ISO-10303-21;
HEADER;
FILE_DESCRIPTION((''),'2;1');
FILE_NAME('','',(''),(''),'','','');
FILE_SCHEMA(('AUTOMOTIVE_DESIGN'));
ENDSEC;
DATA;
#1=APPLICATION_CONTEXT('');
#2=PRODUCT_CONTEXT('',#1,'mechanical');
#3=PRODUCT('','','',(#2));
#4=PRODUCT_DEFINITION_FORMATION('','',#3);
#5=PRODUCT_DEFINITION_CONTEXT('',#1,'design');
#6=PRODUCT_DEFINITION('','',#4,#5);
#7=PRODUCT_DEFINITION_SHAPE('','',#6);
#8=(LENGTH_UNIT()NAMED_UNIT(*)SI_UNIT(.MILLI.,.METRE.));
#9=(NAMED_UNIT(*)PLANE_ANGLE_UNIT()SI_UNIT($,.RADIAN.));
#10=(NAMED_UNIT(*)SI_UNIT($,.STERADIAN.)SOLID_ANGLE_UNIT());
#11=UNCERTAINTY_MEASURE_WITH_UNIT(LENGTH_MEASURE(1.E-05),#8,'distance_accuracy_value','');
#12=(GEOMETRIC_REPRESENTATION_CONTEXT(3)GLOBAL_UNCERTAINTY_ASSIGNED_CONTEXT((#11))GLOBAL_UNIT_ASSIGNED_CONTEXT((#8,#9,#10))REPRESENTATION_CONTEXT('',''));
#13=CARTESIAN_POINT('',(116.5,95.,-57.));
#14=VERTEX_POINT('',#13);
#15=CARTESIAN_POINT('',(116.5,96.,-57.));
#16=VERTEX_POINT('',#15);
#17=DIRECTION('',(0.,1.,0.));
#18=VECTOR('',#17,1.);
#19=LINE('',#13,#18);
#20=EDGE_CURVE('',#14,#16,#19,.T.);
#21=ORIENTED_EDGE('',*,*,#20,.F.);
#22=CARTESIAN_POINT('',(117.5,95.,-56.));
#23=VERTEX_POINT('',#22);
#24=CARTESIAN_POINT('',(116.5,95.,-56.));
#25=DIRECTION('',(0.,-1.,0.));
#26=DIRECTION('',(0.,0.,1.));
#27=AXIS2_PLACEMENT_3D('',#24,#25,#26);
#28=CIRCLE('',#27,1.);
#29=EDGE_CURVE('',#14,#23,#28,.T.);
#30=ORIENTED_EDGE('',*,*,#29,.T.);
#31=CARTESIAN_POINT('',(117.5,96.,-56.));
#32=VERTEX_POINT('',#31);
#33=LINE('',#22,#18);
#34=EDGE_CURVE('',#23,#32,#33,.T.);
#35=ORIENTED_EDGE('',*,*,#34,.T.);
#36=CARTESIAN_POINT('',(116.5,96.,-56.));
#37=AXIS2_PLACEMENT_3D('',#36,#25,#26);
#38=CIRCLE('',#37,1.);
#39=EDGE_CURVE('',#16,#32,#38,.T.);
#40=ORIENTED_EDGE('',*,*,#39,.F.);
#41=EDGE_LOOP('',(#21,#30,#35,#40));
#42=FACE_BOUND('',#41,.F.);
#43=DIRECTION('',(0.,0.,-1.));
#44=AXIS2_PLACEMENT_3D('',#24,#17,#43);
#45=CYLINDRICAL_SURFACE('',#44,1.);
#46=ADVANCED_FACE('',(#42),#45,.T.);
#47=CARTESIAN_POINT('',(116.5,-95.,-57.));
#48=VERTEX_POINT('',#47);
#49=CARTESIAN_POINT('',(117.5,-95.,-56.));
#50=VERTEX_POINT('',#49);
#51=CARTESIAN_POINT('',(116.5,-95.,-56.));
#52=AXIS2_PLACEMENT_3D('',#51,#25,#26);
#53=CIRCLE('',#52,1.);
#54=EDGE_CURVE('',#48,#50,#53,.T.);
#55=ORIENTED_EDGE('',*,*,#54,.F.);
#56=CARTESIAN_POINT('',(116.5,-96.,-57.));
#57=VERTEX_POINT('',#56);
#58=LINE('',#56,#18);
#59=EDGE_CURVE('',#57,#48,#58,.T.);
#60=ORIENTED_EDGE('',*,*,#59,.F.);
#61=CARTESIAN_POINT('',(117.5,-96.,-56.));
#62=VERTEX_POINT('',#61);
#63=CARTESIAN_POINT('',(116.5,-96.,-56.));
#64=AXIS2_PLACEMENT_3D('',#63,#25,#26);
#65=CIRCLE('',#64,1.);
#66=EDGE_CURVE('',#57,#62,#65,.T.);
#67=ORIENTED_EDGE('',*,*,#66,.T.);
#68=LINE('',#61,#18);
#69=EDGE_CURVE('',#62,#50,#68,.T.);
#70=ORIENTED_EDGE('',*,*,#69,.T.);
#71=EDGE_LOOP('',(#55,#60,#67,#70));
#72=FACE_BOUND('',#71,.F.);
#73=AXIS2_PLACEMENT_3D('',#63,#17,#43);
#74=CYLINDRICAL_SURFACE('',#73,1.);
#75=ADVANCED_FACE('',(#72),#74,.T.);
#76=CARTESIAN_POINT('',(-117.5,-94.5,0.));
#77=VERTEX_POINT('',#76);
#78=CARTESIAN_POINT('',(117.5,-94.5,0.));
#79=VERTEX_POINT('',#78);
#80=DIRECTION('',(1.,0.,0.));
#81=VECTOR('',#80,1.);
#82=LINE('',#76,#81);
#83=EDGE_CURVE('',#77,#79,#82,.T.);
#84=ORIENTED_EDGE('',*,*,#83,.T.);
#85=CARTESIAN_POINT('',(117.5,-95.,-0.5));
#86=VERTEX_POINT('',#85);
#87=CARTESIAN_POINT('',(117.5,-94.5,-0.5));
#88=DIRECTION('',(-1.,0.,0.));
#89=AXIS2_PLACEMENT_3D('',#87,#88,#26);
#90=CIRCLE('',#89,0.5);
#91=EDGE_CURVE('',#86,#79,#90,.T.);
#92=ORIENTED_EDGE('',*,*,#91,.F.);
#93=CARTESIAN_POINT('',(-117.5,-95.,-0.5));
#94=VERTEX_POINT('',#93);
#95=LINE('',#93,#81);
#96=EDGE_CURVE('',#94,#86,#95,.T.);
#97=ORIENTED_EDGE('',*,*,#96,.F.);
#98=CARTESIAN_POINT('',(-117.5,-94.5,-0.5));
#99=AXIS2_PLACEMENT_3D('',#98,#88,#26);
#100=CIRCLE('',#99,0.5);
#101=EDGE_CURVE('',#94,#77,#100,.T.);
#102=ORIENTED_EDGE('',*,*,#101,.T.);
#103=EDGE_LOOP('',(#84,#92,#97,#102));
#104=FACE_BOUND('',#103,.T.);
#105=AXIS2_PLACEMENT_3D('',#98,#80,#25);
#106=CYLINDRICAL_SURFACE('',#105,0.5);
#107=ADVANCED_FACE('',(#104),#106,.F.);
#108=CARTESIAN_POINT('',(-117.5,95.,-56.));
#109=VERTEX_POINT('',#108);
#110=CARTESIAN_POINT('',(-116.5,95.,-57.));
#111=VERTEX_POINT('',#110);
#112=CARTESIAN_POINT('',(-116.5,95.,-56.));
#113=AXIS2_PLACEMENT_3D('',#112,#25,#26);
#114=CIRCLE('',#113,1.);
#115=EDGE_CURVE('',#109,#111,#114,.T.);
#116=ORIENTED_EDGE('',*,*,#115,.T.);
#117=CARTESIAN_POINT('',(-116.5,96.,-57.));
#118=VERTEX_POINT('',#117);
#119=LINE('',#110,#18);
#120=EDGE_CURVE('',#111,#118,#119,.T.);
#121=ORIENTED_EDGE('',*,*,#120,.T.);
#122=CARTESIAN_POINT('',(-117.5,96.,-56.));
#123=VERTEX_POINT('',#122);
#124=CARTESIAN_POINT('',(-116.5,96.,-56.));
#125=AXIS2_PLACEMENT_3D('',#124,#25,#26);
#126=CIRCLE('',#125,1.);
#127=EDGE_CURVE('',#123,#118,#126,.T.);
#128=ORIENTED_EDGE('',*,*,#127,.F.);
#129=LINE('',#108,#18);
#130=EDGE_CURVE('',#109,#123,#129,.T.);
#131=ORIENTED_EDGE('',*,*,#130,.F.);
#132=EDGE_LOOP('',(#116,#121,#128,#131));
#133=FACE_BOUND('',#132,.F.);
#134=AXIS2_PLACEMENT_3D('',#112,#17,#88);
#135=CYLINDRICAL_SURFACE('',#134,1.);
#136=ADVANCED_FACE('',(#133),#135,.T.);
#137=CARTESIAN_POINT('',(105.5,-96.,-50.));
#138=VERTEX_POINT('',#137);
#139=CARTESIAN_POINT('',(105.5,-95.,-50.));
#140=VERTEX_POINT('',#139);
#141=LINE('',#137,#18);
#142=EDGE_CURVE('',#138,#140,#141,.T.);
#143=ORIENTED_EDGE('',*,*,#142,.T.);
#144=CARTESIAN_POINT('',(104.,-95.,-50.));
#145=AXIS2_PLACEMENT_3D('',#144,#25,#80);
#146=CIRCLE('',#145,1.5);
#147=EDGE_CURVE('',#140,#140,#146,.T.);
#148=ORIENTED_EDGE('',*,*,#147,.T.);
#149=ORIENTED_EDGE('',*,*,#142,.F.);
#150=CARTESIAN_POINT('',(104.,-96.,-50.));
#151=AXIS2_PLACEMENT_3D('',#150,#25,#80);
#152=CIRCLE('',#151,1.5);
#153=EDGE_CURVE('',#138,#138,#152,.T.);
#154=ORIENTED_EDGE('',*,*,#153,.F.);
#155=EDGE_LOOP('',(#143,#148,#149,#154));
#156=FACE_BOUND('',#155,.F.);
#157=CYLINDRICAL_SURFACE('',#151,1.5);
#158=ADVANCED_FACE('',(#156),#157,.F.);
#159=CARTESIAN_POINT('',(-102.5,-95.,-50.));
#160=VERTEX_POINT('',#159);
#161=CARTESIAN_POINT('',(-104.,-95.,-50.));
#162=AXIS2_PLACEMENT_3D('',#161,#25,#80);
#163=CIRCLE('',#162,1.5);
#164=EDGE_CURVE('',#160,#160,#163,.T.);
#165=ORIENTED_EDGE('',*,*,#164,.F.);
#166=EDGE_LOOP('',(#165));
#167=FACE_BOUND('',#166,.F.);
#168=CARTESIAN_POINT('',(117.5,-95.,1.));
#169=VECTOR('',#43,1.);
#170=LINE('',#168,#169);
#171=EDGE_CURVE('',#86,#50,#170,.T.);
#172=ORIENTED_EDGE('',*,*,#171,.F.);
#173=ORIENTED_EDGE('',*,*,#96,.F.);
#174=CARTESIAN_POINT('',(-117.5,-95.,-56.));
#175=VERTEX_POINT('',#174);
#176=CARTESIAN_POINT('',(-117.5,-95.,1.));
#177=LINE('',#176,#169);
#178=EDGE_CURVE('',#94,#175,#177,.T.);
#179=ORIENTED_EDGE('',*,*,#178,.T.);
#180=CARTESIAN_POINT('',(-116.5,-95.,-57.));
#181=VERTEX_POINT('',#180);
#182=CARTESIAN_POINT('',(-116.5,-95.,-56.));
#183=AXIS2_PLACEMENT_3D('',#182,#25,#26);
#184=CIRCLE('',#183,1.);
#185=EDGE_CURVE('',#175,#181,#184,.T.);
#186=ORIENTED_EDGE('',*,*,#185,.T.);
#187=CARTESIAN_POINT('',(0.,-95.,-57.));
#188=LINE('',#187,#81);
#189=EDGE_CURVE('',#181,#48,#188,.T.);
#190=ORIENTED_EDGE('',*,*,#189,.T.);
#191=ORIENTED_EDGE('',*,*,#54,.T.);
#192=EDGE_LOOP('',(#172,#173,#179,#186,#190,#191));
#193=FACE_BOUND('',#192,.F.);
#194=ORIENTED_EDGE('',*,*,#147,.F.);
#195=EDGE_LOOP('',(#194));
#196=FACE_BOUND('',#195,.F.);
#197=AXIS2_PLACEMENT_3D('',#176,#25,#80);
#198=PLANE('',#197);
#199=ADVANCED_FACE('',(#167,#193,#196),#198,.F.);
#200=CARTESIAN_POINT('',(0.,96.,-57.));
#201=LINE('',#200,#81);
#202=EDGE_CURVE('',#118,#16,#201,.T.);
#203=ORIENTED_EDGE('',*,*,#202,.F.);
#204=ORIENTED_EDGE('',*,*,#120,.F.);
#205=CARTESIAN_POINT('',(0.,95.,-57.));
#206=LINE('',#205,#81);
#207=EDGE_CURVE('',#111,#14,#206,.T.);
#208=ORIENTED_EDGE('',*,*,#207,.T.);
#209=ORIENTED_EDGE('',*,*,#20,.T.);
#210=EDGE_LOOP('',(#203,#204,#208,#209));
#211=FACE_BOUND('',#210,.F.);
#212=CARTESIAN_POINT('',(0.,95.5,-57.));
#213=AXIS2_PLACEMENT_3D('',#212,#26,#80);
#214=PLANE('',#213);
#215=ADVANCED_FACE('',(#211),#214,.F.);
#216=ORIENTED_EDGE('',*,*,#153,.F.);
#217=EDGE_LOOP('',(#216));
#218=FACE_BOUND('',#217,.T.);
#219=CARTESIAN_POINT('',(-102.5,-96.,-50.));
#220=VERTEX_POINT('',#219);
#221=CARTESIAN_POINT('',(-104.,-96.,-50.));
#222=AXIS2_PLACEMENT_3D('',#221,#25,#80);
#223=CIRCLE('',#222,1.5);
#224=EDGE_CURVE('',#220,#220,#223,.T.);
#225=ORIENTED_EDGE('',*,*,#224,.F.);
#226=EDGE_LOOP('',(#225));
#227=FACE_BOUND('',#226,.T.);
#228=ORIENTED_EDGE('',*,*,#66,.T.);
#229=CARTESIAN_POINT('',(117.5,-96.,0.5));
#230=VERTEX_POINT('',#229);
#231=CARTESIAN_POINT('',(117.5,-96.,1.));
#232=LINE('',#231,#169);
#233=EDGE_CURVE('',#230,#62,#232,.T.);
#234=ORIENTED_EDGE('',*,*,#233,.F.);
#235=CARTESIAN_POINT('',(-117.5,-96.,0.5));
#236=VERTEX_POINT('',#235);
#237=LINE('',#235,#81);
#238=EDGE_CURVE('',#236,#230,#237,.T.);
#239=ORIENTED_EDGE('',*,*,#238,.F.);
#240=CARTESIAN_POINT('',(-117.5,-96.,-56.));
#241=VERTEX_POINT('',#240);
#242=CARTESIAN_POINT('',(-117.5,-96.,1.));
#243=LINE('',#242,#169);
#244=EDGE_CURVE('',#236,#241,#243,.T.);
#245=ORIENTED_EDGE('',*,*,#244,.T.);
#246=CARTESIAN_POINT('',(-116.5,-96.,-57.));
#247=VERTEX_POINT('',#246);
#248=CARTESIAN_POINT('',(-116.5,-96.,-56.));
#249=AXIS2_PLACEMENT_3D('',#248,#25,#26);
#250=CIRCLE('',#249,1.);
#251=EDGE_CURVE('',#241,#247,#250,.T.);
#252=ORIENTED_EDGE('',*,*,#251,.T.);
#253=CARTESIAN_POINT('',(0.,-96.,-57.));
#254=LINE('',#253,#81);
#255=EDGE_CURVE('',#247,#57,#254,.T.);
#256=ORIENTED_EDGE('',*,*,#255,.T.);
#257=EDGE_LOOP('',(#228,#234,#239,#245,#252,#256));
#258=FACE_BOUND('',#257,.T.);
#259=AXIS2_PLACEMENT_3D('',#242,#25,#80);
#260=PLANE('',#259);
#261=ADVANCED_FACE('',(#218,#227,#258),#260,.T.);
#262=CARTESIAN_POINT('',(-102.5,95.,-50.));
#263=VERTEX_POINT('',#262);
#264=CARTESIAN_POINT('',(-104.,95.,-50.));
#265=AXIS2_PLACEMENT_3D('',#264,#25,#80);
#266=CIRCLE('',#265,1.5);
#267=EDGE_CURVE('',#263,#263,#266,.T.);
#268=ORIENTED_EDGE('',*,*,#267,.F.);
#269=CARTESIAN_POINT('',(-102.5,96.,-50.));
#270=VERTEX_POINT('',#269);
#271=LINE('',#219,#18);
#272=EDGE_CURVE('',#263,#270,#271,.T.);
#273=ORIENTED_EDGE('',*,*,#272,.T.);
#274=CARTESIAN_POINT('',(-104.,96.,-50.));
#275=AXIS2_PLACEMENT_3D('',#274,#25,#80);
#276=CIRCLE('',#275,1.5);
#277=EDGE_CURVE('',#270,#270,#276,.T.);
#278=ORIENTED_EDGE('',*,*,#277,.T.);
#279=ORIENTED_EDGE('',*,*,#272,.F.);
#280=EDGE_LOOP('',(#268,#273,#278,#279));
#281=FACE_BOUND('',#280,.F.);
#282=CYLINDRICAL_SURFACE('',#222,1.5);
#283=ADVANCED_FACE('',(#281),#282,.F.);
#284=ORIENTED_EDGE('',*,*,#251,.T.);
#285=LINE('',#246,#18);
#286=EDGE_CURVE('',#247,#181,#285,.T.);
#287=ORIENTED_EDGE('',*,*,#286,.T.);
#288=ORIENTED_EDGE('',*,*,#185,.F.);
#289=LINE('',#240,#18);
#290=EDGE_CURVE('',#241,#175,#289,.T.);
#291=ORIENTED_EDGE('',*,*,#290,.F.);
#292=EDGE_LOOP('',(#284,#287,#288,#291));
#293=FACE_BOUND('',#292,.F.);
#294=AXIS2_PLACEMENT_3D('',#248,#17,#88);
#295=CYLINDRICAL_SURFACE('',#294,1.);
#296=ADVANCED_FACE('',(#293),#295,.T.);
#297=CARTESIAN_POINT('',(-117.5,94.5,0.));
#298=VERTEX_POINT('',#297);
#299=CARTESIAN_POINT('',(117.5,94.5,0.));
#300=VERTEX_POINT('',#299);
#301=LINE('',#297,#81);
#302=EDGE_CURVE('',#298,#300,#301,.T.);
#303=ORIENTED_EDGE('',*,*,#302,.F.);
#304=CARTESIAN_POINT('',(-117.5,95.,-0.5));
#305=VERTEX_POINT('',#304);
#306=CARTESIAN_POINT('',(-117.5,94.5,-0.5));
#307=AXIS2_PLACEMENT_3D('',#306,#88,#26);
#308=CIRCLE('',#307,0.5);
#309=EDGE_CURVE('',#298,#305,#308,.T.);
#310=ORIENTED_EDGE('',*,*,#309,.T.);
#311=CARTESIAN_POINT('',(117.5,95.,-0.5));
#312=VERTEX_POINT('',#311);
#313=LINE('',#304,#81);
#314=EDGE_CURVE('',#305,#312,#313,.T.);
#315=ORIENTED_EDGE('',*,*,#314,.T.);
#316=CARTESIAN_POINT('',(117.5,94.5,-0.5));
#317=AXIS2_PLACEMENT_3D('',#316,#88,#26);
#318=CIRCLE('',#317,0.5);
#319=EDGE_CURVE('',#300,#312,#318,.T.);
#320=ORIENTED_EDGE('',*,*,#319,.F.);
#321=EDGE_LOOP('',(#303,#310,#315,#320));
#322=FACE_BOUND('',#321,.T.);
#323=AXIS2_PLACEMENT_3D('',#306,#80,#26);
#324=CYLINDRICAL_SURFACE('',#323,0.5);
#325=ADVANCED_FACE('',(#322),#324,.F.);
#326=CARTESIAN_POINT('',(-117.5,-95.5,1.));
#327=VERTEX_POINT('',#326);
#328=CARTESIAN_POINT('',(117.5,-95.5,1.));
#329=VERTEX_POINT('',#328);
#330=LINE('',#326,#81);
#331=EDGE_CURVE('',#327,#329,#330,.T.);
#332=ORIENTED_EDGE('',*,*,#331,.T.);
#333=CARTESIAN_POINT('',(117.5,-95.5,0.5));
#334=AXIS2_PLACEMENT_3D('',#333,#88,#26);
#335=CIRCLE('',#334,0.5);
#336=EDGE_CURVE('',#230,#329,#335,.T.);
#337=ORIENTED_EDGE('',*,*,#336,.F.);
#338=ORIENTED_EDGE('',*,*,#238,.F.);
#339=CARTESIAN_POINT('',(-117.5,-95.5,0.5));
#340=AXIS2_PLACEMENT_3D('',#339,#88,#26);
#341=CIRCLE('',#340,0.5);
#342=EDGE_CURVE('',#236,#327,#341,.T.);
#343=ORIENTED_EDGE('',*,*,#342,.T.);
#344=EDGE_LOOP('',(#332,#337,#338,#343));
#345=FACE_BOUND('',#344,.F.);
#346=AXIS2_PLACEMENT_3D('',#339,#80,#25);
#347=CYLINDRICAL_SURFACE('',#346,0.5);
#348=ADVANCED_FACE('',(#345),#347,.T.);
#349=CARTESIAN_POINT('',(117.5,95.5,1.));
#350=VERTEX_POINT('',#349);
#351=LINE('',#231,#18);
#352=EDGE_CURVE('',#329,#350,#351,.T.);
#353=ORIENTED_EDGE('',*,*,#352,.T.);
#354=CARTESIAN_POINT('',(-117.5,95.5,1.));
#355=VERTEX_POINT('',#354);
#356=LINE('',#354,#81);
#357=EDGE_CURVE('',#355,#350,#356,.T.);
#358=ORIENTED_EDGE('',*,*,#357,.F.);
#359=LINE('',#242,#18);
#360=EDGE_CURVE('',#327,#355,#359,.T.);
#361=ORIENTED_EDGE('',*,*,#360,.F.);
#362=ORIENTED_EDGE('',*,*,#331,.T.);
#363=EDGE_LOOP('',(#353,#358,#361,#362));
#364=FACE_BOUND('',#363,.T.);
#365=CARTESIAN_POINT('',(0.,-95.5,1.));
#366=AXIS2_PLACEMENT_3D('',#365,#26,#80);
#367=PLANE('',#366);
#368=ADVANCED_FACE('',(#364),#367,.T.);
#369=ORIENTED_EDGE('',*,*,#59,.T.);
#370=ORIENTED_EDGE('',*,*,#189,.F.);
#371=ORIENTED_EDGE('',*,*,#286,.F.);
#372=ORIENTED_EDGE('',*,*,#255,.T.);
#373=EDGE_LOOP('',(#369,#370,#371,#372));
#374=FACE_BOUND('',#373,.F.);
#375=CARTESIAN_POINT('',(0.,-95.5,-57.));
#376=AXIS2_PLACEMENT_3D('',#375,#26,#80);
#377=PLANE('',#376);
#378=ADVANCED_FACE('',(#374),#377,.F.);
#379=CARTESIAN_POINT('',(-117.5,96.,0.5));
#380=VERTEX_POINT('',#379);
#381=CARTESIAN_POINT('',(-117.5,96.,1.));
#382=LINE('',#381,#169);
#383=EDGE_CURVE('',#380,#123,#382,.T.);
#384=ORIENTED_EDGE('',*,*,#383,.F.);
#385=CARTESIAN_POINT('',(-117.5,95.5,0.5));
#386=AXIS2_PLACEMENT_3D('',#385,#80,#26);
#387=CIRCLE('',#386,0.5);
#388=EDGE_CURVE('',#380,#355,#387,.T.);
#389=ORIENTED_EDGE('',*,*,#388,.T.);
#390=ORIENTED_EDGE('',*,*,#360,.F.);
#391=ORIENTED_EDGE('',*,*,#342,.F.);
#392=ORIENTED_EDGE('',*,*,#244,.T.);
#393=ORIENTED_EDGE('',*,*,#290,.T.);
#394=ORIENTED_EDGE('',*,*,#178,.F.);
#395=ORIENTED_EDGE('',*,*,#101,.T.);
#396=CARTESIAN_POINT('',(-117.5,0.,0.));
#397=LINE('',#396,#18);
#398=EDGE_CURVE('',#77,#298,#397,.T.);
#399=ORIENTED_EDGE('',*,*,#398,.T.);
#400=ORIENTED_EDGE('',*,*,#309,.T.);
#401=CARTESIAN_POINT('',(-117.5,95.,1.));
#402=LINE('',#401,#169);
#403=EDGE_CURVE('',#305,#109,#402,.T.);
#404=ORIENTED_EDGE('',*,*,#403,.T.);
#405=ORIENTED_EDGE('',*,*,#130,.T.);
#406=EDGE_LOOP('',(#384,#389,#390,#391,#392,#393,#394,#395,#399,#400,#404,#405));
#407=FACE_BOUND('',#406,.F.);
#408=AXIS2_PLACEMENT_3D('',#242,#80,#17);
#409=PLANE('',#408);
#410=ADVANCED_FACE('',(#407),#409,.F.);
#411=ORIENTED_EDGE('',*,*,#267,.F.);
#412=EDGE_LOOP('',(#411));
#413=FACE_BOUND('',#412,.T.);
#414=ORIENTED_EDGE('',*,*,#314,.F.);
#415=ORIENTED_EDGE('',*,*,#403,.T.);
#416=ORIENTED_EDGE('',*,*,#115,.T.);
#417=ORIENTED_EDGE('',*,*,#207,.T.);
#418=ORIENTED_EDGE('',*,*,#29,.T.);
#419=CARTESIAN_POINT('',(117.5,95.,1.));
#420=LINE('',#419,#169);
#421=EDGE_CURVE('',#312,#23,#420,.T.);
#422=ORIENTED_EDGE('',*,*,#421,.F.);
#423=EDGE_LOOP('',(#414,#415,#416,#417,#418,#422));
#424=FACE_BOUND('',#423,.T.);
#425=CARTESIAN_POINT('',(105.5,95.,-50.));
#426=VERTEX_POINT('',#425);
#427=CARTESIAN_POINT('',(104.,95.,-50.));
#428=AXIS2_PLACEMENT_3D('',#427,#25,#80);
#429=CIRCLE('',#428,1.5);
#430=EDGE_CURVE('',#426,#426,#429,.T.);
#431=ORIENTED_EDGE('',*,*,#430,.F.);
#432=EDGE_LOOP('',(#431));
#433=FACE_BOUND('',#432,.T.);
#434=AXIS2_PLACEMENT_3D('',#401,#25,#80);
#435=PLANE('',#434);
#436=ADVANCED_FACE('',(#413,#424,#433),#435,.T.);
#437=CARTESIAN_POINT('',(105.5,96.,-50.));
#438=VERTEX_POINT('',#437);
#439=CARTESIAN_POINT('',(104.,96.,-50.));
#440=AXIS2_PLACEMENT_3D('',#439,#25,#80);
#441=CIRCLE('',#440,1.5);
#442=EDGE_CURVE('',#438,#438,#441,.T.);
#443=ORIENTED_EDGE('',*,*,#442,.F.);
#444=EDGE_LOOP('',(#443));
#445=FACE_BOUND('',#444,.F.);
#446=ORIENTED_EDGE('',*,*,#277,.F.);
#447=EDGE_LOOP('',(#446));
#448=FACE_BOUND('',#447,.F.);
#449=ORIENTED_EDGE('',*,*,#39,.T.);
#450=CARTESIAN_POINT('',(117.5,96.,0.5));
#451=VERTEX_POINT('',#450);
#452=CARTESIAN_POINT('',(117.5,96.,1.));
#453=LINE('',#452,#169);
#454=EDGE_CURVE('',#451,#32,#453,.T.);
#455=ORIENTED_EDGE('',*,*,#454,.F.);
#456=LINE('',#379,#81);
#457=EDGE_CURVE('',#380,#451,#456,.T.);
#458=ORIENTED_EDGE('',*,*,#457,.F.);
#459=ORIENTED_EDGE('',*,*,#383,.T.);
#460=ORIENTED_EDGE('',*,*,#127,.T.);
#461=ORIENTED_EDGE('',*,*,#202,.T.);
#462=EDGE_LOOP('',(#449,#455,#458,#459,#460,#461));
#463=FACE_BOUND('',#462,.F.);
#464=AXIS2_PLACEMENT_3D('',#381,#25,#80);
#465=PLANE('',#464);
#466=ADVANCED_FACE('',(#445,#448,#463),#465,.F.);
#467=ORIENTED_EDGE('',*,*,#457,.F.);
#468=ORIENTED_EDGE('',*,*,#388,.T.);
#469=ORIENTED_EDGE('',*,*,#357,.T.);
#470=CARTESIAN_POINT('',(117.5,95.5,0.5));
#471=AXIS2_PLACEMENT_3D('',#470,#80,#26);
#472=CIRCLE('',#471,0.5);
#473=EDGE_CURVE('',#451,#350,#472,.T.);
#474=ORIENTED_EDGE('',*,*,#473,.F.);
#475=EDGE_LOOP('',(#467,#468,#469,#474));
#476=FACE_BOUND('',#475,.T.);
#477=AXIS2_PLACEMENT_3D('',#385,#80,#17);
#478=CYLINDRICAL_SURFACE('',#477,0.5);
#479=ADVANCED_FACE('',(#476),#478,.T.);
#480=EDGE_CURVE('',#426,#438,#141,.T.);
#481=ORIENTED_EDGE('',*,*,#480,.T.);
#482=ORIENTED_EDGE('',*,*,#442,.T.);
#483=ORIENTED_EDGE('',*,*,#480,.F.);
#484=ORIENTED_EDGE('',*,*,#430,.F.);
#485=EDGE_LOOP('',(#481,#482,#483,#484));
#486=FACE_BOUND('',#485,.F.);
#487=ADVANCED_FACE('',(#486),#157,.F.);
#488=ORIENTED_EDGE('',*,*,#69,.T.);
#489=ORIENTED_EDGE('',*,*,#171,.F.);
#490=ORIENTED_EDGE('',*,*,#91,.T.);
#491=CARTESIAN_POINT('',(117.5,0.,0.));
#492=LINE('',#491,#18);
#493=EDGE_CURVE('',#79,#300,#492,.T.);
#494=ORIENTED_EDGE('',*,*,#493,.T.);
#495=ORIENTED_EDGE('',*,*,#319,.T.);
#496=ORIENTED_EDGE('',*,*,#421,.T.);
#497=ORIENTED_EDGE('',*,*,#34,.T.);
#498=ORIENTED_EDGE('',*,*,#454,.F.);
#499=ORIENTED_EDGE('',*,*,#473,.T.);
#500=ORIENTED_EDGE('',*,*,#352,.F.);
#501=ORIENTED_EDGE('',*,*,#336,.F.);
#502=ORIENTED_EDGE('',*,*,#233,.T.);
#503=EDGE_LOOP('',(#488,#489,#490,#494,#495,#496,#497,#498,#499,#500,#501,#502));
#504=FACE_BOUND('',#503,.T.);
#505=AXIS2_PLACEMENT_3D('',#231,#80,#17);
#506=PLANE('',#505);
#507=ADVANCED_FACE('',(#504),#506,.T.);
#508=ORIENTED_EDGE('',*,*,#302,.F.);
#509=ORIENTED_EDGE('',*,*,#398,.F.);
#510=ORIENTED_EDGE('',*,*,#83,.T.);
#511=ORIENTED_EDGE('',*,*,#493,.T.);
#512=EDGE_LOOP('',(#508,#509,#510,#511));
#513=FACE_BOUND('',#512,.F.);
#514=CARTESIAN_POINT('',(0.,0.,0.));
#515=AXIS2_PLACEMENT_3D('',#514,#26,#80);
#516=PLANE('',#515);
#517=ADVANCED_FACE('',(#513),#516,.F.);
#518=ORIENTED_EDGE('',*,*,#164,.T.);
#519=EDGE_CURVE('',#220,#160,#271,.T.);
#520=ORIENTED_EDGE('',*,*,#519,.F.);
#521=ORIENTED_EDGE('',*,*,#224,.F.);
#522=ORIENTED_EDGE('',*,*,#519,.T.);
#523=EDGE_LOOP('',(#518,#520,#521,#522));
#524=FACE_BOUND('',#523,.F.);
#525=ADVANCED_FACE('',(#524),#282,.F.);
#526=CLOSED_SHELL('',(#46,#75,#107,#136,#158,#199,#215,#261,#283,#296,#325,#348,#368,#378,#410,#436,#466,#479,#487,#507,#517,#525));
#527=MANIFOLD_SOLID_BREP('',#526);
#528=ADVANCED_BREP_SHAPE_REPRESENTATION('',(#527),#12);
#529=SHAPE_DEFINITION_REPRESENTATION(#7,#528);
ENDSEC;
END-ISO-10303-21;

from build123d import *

# Parameters (mm, degrees)
F0_W     = 235
F0_H     = 190
F1_DEPTH = 1
F2_W     = 235
F2_H     = 1
F3_DEPTH = 58
F4_R     = 1.5
F5_DEPTH = 192.001
F6_R     = 0.5
F7_R     = 1


with BuildPart() as f1:
    # F0 (on Top) → F1 (new body)
    with BuildSketch(Plane.XY):
        Rectangle(F0_W, F0_H)
    extrude(amount=F1_DEPTH)

    # F2 (on face) → F3 (join)
    with BuildSketch(Plane.XY.offset(1)):
        with Locations((0, -95.5)):
            Rectangle(F2_W, F2_H)
        with Locations((0, 95.5)):
            Rectangle(F2_W, F2_H)
    extrude(amount=-F3_DEPTH)

    # F4 (on face) → F5 (cut, through all)
    with BuildSketch(Plane.XZ.offset(96)):
        with Locations((-104, -50)):
            Circle(F4_R)
        with Locations((104, -50)):
            Circle(F4_R)
    extrude(amount=-F5_DEPTH, mode=Mode.SUBTRACT)

    # F6
    f6_edges = [f1.edges().sort_by_distance(p)[0] for p in [
        (0, -96, 1),
        (0, 96, 1),
        (0, -95, 0),
        (0, 95, 0),
    ]]
    fillet(f6_edges, radius=F6_R)

    # F7
    f7_edges = [f1.edges().sort_by_distance(p)[0] for p in [
        (-117.5, -95.5, -57),
        (117.5, -95.5, -57),
        (117.5, 95.5, -57),
        (-117.5, 95.5, -57),
    ]]
    fillet(f7_edges, radius=F7_R)


solid = f1.part
